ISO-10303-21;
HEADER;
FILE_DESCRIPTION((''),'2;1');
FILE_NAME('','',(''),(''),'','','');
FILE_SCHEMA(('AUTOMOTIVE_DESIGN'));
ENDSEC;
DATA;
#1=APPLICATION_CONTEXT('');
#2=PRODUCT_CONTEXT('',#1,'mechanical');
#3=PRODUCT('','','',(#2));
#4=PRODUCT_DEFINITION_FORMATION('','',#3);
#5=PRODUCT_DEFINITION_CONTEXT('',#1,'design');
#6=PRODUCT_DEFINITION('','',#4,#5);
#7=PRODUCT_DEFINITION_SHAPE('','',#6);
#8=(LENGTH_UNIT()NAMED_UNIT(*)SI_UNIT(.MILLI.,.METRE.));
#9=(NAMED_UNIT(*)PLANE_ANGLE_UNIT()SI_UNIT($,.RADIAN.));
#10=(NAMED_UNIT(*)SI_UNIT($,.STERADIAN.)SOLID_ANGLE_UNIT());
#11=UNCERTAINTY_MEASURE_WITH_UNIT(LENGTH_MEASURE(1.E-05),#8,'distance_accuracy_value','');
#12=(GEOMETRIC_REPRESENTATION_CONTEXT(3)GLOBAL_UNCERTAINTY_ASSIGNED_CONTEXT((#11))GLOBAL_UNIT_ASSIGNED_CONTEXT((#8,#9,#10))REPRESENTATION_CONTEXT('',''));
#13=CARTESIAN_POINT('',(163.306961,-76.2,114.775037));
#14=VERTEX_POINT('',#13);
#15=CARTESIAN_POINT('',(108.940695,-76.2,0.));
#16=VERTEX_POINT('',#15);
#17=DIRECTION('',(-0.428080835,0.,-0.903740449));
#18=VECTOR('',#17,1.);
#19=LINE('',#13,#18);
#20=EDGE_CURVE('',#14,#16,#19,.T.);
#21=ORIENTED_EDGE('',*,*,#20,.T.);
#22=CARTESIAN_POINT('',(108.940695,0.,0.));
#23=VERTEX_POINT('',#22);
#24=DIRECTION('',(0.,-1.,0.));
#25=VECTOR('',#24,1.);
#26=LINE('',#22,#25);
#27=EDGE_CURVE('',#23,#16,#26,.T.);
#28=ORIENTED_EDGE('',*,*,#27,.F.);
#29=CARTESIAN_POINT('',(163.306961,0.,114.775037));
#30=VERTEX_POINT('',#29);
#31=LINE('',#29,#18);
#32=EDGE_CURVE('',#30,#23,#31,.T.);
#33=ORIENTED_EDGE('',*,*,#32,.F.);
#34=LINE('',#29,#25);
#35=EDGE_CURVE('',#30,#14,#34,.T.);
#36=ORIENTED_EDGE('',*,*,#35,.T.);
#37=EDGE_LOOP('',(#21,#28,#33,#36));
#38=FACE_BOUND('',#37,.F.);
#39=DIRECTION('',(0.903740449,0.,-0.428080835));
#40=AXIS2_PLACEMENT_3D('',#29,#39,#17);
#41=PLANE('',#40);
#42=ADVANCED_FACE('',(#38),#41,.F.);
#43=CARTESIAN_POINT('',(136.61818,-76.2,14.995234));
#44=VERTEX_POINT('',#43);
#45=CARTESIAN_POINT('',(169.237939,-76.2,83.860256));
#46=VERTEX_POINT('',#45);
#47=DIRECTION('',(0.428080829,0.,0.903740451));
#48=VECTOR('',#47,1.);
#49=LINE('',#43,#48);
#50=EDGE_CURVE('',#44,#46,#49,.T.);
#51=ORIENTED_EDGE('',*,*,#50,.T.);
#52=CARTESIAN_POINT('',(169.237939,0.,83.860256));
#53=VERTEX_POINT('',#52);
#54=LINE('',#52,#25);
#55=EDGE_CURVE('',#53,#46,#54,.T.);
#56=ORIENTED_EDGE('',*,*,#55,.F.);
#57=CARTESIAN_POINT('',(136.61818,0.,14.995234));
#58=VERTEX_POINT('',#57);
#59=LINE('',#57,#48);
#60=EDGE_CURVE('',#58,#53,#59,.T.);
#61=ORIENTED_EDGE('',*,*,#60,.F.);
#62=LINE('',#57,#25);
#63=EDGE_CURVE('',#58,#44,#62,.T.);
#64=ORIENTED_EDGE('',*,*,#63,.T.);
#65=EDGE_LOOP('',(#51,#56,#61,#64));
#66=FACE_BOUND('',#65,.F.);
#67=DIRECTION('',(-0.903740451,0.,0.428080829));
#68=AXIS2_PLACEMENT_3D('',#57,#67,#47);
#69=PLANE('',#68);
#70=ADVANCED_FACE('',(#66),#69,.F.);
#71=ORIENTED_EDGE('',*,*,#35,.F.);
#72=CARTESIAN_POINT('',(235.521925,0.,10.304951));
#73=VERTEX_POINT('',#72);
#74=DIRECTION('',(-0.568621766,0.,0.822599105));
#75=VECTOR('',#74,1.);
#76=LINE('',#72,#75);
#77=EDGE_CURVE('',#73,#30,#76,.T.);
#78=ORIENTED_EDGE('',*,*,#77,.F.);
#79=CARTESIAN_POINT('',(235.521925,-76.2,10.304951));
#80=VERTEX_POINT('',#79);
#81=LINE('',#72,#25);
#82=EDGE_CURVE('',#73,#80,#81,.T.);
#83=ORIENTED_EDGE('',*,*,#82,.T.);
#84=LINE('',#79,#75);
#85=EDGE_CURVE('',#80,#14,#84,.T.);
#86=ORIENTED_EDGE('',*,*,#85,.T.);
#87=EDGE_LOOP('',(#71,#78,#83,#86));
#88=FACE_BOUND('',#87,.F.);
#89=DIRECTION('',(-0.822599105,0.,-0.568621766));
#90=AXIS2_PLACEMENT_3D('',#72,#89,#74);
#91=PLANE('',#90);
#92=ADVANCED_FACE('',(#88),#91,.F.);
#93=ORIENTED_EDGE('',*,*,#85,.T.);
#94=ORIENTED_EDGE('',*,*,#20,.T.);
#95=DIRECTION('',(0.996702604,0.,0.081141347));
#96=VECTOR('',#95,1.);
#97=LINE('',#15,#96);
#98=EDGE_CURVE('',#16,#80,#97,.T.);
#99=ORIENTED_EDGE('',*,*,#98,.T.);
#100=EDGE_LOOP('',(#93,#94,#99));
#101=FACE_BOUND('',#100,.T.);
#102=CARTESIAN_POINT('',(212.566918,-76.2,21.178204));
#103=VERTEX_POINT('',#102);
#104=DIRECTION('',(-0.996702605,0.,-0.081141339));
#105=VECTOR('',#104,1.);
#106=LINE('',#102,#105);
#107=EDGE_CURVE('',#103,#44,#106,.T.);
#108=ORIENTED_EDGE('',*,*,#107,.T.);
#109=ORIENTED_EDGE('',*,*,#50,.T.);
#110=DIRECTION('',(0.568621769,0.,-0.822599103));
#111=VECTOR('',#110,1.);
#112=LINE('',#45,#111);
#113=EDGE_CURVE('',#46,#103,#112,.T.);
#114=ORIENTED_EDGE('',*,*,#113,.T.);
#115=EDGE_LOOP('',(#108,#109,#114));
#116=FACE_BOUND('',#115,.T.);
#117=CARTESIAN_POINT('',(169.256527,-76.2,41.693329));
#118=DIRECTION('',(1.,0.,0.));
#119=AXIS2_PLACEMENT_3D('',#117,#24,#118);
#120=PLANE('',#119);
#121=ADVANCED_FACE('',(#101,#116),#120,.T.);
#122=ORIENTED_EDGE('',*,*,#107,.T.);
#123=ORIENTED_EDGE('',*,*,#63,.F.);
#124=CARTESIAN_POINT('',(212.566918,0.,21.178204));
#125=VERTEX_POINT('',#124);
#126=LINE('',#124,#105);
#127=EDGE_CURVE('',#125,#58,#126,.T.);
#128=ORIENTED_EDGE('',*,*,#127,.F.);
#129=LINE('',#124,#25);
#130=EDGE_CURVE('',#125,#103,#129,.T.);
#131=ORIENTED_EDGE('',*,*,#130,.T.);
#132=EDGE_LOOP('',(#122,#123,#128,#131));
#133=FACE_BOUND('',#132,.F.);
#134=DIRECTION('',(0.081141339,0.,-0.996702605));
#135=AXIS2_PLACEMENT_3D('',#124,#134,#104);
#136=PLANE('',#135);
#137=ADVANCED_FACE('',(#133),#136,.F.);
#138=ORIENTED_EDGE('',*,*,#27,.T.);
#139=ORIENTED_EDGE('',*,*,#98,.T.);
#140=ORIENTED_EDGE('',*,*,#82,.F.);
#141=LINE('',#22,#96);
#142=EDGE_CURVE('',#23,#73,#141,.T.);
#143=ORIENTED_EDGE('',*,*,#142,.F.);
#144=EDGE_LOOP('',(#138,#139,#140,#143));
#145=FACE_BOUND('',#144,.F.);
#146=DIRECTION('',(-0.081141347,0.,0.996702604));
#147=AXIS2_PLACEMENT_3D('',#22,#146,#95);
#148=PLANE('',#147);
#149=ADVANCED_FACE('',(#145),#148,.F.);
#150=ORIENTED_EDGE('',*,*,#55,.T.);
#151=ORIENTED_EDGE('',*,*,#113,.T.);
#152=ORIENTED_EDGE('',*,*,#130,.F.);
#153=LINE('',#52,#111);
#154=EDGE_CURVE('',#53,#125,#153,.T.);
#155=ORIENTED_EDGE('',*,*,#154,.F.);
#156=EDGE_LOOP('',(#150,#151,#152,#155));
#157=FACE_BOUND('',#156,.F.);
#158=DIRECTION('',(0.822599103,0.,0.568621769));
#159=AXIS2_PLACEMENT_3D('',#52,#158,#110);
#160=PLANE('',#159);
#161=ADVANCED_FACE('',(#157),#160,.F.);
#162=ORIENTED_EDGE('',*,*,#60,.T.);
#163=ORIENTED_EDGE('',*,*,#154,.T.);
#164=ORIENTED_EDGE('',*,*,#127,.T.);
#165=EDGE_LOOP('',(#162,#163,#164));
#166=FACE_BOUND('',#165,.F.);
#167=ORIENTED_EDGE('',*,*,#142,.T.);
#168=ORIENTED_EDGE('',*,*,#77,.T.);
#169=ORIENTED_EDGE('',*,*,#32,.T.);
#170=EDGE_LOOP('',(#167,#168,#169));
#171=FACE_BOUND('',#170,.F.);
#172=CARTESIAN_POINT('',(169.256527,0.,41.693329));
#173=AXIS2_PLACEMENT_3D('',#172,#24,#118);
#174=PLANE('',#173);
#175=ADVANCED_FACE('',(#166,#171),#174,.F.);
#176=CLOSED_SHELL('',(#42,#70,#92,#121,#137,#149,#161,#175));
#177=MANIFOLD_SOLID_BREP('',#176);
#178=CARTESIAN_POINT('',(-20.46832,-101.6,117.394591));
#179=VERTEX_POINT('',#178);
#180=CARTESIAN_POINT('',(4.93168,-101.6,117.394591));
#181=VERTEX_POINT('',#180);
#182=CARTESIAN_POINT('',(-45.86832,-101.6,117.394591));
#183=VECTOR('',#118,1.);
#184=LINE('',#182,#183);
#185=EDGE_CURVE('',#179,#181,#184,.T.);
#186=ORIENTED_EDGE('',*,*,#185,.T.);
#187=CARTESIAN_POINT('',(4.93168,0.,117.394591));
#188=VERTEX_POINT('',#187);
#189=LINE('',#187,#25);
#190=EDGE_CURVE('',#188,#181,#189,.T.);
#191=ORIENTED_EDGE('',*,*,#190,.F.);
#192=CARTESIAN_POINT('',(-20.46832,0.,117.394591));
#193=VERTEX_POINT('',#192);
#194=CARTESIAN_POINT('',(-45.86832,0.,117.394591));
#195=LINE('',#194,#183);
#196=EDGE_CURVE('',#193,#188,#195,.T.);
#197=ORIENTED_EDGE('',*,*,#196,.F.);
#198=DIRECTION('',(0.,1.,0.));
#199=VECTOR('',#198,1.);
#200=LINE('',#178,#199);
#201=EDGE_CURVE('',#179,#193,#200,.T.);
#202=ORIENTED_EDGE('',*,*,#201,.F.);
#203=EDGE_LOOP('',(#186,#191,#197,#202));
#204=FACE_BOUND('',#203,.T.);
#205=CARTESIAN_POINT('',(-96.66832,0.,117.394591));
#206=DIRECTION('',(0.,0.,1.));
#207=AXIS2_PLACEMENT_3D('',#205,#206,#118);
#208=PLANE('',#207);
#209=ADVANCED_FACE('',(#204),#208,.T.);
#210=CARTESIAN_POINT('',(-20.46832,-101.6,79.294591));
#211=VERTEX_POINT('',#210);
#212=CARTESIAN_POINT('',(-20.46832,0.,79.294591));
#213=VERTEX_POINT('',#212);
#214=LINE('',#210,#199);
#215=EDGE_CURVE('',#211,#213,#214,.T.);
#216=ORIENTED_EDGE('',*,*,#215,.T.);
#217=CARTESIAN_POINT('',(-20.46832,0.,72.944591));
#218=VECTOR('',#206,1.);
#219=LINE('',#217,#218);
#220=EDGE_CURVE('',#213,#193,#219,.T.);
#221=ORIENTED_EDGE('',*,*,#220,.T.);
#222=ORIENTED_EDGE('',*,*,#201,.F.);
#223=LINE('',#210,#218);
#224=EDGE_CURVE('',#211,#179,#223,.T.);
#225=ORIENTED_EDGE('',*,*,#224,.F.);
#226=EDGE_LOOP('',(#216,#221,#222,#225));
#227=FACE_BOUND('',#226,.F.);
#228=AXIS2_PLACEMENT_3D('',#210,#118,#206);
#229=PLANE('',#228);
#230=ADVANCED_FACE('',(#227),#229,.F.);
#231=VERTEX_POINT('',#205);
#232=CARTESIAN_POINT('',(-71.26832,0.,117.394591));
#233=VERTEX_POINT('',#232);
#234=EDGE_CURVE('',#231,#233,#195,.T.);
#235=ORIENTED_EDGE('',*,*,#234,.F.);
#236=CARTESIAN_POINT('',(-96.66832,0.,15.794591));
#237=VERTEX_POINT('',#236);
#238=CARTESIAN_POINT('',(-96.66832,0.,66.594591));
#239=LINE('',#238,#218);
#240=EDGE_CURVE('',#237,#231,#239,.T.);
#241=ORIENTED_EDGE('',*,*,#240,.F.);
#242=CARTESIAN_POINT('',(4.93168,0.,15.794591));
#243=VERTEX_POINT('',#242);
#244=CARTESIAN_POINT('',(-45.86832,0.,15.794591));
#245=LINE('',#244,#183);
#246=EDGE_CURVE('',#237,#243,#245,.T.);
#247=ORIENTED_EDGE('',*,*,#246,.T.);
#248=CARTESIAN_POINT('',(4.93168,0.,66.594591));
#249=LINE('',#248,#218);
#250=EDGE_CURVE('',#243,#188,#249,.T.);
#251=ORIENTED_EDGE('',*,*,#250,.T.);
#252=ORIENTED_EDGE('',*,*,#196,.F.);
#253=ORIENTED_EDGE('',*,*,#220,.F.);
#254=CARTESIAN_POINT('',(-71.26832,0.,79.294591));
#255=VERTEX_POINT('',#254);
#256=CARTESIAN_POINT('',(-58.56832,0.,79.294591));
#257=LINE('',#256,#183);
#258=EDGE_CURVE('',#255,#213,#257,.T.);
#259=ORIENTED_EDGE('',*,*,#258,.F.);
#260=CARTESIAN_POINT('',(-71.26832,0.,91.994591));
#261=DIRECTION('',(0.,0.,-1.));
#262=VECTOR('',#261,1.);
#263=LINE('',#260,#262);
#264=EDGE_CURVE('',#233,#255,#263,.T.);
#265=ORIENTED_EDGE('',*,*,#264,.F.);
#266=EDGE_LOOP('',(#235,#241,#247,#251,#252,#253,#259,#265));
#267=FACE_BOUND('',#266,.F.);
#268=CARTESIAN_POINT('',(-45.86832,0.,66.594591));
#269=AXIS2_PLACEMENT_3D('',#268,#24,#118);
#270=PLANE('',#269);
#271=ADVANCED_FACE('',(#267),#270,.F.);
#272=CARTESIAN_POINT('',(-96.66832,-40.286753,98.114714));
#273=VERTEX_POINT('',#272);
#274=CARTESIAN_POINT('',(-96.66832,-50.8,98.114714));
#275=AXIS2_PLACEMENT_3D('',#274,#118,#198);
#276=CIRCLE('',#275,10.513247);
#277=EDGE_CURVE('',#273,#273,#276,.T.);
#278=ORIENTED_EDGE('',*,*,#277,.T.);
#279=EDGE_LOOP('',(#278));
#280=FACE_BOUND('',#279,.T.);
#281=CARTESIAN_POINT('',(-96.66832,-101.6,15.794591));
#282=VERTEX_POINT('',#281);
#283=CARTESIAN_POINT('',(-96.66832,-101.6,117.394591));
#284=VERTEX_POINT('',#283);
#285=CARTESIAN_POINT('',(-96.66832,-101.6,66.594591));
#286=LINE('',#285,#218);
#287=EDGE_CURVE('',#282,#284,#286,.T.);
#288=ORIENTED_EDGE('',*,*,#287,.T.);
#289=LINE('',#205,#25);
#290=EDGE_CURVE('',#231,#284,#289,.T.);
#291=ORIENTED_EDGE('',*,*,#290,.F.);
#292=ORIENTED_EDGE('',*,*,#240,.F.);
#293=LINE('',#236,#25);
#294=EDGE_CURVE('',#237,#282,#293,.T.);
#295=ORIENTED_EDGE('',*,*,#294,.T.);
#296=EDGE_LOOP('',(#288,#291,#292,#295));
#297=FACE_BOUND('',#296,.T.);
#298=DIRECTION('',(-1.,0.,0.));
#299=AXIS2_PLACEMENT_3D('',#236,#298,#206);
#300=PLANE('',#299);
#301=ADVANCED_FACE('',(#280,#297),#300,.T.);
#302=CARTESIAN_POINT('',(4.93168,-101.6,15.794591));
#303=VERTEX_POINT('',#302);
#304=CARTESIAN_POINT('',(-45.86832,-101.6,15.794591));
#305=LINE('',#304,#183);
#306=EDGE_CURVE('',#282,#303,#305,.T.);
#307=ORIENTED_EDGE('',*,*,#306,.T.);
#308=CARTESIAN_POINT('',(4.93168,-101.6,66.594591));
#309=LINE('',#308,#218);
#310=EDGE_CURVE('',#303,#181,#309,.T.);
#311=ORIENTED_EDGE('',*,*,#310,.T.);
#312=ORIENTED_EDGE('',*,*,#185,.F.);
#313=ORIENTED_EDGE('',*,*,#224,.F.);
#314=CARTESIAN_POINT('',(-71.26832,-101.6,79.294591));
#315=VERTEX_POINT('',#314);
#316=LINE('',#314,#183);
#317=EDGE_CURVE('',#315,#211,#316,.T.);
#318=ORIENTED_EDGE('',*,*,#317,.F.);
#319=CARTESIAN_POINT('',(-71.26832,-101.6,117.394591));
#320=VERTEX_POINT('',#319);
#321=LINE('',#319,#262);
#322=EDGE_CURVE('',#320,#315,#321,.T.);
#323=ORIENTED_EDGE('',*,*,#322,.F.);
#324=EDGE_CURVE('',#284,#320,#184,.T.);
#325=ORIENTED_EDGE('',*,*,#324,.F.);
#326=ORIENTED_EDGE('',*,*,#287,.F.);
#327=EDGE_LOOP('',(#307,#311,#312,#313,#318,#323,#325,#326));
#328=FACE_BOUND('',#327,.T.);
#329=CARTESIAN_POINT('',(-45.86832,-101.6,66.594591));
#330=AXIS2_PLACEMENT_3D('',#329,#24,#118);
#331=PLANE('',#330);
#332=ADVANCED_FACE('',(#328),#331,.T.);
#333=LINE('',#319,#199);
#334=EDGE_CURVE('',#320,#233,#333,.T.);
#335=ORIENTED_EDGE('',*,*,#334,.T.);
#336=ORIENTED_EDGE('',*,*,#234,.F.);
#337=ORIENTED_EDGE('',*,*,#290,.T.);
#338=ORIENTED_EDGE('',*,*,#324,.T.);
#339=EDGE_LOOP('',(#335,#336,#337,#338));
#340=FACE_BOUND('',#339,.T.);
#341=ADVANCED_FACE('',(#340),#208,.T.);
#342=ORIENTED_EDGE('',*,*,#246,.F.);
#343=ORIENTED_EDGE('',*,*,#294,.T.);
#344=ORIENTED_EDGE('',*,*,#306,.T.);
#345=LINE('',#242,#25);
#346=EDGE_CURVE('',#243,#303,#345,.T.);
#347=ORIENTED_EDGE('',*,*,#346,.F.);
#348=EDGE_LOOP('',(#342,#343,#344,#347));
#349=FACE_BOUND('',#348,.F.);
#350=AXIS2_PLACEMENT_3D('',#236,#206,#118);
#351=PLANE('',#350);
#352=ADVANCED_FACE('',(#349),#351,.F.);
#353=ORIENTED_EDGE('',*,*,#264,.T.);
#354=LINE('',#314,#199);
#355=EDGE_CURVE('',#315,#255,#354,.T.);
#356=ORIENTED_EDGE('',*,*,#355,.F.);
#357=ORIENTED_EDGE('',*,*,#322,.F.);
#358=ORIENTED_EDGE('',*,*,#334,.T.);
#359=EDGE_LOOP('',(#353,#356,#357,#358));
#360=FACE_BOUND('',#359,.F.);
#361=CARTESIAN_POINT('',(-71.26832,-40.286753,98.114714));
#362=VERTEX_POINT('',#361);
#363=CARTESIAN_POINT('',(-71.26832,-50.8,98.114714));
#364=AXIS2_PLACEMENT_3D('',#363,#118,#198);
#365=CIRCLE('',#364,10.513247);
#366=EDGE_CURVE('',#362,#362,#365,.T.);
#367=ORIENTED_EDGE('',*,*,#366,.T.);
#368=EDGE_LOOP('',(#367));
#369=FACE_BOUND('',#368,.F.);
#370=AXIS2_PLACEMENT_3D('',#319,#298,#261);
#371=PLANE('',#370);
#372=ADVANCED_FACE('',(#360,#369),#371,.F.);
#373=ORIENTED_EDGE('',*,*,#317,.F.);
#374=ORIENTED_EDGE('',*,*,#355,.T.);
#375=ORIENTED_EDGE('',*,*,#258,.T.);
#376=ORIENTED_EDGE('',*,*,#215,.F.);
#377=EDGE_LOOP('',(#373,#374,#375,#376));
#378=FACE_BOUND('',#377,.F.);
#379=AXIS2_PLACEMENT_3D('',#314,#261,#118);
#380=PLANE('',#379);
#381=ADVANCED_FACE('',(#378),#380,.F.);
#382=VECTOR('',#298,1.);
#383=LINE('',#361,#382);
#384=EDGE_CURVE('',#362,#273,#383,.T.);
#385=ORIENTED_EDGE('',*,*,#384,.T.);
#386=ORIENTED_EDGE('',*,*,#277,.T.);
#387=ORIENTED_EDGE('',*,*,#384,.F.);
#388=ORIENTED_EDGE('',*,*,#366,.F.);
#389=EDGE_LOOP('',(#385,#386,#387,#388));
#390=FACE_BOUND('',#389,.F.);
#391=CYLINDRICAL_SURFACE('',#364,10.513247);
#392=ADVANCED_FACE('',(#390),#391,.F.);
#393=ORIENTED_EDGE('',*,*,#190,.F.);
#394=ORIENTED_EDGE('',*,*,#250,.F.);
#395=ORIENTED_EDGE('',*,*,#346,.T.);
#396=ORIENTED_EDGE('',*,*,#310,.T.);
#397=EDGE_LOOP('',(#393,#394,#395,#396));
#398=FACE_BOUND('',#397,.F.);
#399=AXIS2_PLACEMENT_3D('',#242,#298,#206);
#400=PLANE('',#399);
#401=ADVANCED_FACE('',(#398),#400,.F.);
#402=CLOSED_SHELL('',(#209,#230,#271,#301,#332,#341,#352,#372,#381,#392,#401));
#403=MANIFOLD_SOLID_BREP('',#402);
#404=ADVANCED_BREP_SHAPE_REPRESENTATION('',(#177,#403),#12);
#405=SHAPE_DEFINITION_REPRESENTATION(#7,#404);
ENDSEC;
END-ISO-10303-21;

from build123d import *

# Parameters (mm, degrees)
F0_W     = 101.6
F0_H     = 101.6
F1_DEPTH = 101.6
F3_DEPTH = 130.81
F4_R     = 10.513247
F5_DEPTH = 25.4
F7_DEPTH = 76.2
F9_DEPTH = 76.2


with BuildPart() as f1:
    # F0 (on Front) → F1 (new body)
    with BuildSketch(Plane.XZ):
        with Locations((-45.86832, 66.594591)):
            Rectangle(F0_W, F0_H)
    extrude(amount=F1_DEPTH)

    # F2 (on face) → F3 (cut)
    with BuildSketch(Plane.XZ.offset(101.6)):
        Polygon((-71.26832, 117.394591), (-71.26832, 101.119451), (-71.26832, 79.294591), (-20.46832, 79.294591), (-20.46832, 101.119451), (-20.46832, 117.394591), align=None)
    extrude(amount=-F3_DEPTH, mode=Mode.SUBTRACT)

    # F4 (on face) → F5 (cut)
    with BuildSketch(Plane.YZ.offset(-71.26832)):
        with Locations((-50.8, 98.114714)):
            Circle(F4_R)
    extrude(amount=-F5_DEPTH, mode=Mode.SUBTRACT)


with BuildPart() as f7:
    # F6 (on Front) → F7 (new body)
    with BuildSketch(Plane.XZ):
        Polygon((235.521925, 10.304951), (163.306961, 114.775037), (108.940695, 0), align=None)
    extrude(amount=F7_DEPTH)

    # F8 (on face) → F9 (cut)
    with BuildSketch(Plane(origin=(0, 0, 0), x_dir=(-1, 0, 0), z_dir=(0, 1, 0))):
        Polygon((-136.61818, 14.995234), (-169.237939, 83.860256), (-212.566918, 21.178204), align=None)
    extrude(amount=-F9_DEPTH, mode=Mode.SUBTRACT)


solid = Compound([f1.part, f7.part])
